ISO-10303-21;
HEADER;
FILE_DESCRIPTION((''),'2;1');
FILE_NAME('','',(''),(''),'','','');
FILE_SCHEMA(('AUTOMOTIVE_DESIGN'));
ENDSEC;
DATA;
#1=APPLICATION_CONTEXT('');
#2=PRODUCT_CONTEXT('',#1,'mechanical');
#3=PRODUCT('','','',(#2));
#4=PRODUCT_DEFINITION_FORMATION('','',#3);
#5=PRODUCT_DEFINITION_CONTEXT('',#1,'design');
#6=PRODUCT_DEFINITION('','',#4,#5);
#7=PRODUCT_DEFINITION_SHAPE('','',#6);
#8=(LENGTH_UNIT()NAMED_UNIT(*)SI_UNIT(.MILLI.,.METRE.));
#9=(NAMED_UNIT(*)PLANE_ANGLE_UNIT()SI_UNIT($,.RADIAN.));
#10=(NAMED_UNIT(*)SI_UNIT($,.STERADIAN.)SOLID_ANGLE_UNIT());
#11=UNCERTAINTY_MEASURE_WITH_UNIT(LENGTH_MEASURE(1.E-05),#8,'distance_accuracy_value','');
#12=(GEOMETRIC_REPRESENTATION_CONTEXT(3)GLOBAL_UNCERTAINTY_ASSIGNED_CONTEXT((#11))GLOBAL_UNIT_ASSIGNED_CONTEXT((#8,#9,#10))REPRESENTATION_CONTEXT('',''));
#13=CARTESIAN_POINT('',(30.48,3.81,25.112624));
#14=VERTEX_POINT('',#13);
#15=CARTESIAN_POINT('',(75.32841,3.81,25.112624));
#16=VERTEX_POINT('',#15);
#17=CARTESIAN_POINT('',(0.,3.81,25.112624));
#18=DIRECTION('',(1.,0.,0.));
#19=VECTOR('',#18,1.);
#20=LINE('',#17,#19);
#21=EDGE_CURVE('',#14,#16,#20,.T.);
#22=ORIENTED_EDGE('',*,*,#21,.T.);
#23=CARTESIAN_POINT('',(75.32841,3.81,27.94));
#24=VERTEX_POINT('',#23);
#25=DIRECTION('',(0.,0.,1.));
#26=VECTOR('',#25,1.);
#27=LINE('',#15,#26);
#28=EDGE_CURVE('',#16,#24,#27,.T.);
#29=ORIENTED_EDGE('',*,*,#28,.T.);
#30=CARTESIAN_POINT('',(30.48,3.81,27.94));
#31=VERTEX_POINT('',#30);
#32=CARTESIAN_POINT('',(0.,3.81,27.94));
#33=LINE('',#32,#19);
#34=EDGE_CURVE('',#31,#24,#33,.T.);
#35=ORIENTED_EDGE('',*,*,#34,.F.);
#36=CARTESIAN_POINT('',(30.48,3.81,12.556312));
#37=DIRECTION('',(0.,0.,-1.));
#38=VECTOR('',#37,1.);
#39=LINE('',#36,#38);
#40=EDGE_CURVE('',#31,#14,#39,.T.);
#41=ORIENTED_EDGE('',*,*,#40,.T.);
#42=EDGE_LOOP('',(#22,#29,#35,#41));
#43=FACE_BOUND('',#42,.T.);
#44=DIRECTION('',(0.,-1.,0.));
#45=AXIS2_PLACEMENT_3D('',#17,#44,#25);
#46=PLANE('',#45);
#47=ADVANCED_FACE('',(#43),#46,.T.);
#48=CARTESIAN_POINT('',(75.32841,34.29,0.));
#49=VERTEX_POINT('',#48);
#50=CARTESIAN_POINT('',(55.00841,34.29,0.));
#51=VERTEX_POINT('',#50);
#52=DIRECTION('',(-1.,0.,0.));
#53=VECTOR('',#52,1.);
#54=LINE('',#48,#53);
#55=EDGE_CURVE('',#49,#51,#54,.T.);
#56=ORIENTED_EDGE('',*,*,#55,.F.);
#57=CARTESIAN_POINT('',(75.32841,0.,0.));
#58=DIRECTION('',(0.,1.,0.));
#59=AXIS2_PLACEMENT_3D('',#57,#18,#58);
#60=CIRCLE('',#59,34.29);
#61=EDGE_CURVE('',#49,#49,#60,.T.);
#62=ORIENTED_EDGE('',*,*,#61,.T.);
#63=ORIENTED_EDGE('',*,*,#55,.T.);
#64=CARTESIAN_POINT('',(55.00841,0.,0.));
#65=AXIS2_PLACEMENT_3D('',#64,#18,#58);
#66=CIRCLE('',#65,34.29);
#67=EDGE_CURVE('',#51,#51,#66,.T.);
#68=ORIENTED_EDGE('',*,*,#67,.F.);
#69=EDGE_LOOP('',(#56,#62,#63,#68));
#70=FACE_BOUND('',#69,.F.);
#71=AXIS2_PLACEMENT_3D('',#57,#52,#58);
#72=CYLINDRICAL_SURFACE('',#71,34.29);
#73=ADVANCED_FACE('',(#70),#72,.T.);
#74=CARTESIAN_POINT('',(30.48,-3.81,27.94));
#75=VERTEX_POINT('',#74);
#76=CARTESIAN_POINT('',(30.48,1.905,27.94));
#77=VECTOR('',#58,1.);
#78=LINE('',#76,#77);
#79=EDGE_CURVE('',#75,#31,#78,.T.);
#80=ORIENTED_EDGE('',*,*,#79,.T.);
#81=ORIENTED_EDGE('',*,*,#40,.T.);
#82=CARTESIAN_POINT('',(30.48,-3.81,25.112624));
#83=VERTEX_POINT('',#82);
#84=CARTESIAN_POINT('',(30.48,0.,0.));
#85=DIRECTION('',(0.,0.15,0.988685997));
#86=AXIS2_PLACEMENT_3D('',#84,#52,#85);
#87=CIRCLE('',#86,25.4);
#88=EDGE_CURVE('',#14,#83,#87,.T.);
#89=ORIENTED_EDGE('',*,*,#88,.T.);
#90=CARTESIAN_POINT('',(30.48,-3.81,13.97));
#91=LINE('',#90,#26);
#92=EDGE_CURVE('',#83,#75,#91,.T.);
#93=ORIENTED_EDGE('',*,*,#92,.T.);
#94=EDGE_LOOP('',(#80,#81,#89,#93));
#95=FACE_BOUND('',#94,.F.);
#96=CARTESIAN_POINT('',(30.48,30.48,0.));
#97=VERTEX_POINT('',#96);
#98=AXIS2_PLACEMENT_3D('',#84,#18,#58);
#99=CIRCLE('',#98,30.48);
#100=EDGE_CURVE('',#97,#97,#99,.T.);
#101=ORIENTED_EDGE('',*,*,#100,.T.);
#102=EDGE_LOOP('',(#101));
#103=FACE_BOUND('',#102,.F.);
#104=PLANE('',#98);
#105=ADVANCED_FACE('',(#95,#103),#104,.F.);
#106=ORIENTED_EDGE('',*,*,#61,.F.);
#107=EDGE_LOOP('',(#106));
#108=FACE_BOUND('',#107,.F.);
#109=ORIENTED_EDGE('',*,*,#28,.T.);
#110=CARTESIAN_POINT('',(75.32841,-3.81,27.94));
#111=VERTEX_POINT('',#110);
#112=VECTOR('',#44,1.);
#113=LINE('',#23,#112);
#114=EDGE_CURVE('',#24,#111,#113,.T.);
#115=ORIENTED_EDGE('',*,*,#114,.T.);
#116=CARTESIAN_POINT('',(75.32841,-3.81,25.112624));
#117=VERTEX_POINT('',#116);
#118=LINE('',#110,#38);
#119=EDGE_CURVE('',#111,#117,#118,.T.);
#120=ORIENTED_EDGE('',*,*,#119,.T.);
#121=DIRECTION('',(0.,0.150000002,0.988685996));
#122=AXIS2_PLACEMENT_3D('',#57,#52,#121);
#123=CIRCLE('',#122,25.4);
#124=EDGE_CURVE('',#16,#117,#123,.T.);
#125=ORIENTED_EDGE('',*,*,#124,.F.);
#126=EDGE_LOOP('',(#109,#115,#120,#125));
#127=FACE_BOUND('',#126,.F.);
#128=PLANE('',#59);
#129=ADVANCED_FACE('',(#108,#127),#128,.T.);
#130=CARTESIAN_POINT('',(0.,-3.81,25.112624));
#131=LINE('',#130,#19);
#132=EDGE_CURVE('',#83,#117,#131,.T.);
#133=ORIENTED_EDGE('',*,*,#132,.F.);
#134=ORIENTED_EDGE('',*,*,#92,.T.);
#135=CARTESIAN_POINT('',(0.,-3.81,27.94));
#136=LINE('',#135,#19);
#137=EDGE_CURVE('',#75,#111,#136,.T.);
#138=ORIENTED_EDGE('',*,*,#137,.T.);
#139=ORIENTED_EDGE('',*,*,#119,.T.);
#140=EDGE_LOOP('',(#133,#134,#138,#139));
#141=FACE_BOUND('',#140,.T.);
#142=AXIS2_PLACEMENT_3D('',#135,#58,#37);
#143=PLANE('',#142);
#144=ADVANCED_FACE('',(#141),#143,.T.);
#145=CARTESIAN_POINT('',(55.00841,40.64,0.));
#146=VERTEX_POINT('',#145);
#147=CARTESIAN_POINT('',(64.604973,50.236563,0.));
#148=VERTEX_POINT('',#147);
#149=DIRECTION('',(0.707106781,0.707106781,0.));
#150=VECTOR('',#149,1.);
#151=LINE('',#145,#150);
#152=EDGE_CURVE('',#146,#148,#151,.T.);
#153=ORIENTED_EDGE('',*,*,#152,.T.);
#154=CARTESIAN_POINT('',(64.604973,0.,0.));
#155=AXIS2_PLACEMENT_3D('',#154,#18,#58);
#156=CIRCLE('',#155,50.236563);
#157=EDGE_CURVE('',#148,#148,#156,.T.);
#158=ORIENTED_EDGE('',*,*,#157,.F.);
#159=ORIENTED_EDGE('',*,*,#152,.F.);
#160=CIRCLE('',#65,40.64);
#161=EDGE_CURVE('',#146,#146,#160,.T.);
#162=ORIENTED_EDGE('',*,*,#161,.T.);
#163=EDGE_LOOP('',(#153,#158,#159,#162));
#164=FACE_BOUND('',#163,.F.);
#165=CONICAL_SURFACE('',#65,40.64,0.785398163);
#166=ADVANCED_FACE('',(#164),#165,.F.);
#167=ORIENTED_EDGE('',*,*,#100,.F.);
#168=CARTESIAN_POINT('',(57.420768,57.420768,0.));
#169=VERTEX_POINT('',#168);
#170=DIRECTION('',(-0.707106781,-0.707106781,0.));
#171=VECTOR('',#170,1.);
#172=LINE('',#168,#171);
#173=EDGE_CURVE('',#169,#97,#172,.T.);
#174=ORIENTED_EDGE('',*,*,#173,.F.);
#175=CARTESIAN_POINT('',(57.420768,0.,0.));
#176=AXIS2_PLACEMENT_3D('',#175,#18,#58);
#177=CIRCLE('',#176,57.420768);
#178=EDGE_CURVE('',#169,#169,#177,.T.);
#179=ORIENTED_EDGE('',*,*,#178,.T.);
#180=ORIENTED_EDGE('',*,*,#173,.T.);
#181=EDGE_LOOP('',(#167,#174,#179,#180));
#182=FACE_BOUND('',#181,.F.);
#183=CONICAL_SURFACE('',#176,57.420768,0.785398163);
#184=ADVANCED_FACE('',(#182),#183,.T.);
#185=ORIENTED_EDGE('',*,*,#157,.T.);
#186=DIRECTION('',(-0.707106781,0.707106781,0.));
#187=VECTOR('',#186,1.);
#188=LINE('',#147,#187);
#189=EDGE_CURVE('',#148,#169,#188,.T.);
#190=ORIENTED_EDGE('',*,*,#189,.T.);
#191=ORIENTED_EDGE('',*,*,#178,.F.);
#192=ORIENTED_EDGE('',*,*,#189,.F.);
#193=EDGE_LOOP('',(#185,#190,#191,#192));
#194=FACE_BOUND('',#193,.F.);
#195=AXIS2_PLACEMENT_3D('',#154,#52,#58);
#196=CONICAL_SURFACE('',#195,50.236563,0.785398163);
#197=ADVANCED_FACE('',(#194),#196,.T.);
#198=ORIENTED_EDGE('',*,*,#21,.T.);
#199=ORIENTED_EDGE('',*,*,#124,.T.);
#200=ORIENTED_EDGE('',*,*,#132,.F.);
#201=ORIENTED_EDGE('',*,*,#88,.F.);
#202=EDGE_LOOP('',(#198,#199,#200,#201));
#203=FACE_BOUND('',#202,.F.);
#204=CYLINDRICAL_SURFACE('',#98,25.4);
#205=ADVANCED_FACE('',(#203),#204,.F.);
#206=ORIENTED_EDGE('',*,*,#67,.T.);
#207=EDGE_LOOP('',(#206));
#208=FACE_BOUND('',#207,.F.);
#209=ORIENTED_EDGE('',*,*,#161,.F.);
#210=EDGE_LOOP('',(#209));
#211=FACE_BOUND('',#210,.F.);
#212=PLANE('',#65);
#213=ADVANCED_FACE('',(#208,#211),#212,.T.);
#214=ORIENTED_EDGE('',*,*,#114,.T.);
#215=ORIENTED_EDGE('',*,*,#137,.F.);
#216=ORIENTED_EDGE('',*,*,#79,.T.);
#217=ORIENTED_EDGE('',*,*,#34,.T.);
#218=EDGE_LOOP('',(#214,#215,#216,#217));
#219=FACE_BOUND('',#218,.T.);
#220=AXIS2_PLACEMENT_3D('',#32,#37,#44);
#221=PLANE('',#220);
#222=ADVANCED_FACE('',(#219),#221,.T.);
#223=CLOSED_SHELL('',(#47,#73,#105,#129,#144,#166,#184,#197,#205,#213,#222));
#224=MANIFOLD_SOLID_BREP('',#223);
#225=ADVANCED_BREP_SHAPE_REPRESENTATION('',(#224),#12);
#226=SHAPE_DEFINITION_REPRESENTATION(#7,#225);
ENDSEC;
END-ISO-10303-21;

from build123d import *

# Parameters (mm, degrees)
F3_DEPTH = 75.32841


with BuildPart() as f1:
    # F0 (on Top) → F1 (revolve)
    with BuildSketch(Plane.XY):
        Polygon((75.32841, 25.4), (75.32841, 34.29), (55.00841, 34.29), (55.00841, 40.64), (64.604973, 50.236563), (57.420768, 57.420768), (30.48, 30.48), (30.48, 25.4), align=None)
    revolve(axis=Axis((1.895559, 0, 0), (1, 0, 0)))

    # F2 (on Right) → F3 (cut, through all)
    with BuildSketch(Plane.YZ):
        with BuildLine():
            ThreePointArc((-3.81, 25.112624), (0, 25.4), (3.81, 25.112624))
            Line((3.81, 25.112624), (3.81, 27.94))
            Line((3.81, 27.94), (-3.81, 27.94))
            Line((-3.81, 27.94), (-3.81, 25.112624))
        make_face()
    extrude(amount=F3_DEPTH, mode=Mode.SUBTRACT)


solid = f1.part
